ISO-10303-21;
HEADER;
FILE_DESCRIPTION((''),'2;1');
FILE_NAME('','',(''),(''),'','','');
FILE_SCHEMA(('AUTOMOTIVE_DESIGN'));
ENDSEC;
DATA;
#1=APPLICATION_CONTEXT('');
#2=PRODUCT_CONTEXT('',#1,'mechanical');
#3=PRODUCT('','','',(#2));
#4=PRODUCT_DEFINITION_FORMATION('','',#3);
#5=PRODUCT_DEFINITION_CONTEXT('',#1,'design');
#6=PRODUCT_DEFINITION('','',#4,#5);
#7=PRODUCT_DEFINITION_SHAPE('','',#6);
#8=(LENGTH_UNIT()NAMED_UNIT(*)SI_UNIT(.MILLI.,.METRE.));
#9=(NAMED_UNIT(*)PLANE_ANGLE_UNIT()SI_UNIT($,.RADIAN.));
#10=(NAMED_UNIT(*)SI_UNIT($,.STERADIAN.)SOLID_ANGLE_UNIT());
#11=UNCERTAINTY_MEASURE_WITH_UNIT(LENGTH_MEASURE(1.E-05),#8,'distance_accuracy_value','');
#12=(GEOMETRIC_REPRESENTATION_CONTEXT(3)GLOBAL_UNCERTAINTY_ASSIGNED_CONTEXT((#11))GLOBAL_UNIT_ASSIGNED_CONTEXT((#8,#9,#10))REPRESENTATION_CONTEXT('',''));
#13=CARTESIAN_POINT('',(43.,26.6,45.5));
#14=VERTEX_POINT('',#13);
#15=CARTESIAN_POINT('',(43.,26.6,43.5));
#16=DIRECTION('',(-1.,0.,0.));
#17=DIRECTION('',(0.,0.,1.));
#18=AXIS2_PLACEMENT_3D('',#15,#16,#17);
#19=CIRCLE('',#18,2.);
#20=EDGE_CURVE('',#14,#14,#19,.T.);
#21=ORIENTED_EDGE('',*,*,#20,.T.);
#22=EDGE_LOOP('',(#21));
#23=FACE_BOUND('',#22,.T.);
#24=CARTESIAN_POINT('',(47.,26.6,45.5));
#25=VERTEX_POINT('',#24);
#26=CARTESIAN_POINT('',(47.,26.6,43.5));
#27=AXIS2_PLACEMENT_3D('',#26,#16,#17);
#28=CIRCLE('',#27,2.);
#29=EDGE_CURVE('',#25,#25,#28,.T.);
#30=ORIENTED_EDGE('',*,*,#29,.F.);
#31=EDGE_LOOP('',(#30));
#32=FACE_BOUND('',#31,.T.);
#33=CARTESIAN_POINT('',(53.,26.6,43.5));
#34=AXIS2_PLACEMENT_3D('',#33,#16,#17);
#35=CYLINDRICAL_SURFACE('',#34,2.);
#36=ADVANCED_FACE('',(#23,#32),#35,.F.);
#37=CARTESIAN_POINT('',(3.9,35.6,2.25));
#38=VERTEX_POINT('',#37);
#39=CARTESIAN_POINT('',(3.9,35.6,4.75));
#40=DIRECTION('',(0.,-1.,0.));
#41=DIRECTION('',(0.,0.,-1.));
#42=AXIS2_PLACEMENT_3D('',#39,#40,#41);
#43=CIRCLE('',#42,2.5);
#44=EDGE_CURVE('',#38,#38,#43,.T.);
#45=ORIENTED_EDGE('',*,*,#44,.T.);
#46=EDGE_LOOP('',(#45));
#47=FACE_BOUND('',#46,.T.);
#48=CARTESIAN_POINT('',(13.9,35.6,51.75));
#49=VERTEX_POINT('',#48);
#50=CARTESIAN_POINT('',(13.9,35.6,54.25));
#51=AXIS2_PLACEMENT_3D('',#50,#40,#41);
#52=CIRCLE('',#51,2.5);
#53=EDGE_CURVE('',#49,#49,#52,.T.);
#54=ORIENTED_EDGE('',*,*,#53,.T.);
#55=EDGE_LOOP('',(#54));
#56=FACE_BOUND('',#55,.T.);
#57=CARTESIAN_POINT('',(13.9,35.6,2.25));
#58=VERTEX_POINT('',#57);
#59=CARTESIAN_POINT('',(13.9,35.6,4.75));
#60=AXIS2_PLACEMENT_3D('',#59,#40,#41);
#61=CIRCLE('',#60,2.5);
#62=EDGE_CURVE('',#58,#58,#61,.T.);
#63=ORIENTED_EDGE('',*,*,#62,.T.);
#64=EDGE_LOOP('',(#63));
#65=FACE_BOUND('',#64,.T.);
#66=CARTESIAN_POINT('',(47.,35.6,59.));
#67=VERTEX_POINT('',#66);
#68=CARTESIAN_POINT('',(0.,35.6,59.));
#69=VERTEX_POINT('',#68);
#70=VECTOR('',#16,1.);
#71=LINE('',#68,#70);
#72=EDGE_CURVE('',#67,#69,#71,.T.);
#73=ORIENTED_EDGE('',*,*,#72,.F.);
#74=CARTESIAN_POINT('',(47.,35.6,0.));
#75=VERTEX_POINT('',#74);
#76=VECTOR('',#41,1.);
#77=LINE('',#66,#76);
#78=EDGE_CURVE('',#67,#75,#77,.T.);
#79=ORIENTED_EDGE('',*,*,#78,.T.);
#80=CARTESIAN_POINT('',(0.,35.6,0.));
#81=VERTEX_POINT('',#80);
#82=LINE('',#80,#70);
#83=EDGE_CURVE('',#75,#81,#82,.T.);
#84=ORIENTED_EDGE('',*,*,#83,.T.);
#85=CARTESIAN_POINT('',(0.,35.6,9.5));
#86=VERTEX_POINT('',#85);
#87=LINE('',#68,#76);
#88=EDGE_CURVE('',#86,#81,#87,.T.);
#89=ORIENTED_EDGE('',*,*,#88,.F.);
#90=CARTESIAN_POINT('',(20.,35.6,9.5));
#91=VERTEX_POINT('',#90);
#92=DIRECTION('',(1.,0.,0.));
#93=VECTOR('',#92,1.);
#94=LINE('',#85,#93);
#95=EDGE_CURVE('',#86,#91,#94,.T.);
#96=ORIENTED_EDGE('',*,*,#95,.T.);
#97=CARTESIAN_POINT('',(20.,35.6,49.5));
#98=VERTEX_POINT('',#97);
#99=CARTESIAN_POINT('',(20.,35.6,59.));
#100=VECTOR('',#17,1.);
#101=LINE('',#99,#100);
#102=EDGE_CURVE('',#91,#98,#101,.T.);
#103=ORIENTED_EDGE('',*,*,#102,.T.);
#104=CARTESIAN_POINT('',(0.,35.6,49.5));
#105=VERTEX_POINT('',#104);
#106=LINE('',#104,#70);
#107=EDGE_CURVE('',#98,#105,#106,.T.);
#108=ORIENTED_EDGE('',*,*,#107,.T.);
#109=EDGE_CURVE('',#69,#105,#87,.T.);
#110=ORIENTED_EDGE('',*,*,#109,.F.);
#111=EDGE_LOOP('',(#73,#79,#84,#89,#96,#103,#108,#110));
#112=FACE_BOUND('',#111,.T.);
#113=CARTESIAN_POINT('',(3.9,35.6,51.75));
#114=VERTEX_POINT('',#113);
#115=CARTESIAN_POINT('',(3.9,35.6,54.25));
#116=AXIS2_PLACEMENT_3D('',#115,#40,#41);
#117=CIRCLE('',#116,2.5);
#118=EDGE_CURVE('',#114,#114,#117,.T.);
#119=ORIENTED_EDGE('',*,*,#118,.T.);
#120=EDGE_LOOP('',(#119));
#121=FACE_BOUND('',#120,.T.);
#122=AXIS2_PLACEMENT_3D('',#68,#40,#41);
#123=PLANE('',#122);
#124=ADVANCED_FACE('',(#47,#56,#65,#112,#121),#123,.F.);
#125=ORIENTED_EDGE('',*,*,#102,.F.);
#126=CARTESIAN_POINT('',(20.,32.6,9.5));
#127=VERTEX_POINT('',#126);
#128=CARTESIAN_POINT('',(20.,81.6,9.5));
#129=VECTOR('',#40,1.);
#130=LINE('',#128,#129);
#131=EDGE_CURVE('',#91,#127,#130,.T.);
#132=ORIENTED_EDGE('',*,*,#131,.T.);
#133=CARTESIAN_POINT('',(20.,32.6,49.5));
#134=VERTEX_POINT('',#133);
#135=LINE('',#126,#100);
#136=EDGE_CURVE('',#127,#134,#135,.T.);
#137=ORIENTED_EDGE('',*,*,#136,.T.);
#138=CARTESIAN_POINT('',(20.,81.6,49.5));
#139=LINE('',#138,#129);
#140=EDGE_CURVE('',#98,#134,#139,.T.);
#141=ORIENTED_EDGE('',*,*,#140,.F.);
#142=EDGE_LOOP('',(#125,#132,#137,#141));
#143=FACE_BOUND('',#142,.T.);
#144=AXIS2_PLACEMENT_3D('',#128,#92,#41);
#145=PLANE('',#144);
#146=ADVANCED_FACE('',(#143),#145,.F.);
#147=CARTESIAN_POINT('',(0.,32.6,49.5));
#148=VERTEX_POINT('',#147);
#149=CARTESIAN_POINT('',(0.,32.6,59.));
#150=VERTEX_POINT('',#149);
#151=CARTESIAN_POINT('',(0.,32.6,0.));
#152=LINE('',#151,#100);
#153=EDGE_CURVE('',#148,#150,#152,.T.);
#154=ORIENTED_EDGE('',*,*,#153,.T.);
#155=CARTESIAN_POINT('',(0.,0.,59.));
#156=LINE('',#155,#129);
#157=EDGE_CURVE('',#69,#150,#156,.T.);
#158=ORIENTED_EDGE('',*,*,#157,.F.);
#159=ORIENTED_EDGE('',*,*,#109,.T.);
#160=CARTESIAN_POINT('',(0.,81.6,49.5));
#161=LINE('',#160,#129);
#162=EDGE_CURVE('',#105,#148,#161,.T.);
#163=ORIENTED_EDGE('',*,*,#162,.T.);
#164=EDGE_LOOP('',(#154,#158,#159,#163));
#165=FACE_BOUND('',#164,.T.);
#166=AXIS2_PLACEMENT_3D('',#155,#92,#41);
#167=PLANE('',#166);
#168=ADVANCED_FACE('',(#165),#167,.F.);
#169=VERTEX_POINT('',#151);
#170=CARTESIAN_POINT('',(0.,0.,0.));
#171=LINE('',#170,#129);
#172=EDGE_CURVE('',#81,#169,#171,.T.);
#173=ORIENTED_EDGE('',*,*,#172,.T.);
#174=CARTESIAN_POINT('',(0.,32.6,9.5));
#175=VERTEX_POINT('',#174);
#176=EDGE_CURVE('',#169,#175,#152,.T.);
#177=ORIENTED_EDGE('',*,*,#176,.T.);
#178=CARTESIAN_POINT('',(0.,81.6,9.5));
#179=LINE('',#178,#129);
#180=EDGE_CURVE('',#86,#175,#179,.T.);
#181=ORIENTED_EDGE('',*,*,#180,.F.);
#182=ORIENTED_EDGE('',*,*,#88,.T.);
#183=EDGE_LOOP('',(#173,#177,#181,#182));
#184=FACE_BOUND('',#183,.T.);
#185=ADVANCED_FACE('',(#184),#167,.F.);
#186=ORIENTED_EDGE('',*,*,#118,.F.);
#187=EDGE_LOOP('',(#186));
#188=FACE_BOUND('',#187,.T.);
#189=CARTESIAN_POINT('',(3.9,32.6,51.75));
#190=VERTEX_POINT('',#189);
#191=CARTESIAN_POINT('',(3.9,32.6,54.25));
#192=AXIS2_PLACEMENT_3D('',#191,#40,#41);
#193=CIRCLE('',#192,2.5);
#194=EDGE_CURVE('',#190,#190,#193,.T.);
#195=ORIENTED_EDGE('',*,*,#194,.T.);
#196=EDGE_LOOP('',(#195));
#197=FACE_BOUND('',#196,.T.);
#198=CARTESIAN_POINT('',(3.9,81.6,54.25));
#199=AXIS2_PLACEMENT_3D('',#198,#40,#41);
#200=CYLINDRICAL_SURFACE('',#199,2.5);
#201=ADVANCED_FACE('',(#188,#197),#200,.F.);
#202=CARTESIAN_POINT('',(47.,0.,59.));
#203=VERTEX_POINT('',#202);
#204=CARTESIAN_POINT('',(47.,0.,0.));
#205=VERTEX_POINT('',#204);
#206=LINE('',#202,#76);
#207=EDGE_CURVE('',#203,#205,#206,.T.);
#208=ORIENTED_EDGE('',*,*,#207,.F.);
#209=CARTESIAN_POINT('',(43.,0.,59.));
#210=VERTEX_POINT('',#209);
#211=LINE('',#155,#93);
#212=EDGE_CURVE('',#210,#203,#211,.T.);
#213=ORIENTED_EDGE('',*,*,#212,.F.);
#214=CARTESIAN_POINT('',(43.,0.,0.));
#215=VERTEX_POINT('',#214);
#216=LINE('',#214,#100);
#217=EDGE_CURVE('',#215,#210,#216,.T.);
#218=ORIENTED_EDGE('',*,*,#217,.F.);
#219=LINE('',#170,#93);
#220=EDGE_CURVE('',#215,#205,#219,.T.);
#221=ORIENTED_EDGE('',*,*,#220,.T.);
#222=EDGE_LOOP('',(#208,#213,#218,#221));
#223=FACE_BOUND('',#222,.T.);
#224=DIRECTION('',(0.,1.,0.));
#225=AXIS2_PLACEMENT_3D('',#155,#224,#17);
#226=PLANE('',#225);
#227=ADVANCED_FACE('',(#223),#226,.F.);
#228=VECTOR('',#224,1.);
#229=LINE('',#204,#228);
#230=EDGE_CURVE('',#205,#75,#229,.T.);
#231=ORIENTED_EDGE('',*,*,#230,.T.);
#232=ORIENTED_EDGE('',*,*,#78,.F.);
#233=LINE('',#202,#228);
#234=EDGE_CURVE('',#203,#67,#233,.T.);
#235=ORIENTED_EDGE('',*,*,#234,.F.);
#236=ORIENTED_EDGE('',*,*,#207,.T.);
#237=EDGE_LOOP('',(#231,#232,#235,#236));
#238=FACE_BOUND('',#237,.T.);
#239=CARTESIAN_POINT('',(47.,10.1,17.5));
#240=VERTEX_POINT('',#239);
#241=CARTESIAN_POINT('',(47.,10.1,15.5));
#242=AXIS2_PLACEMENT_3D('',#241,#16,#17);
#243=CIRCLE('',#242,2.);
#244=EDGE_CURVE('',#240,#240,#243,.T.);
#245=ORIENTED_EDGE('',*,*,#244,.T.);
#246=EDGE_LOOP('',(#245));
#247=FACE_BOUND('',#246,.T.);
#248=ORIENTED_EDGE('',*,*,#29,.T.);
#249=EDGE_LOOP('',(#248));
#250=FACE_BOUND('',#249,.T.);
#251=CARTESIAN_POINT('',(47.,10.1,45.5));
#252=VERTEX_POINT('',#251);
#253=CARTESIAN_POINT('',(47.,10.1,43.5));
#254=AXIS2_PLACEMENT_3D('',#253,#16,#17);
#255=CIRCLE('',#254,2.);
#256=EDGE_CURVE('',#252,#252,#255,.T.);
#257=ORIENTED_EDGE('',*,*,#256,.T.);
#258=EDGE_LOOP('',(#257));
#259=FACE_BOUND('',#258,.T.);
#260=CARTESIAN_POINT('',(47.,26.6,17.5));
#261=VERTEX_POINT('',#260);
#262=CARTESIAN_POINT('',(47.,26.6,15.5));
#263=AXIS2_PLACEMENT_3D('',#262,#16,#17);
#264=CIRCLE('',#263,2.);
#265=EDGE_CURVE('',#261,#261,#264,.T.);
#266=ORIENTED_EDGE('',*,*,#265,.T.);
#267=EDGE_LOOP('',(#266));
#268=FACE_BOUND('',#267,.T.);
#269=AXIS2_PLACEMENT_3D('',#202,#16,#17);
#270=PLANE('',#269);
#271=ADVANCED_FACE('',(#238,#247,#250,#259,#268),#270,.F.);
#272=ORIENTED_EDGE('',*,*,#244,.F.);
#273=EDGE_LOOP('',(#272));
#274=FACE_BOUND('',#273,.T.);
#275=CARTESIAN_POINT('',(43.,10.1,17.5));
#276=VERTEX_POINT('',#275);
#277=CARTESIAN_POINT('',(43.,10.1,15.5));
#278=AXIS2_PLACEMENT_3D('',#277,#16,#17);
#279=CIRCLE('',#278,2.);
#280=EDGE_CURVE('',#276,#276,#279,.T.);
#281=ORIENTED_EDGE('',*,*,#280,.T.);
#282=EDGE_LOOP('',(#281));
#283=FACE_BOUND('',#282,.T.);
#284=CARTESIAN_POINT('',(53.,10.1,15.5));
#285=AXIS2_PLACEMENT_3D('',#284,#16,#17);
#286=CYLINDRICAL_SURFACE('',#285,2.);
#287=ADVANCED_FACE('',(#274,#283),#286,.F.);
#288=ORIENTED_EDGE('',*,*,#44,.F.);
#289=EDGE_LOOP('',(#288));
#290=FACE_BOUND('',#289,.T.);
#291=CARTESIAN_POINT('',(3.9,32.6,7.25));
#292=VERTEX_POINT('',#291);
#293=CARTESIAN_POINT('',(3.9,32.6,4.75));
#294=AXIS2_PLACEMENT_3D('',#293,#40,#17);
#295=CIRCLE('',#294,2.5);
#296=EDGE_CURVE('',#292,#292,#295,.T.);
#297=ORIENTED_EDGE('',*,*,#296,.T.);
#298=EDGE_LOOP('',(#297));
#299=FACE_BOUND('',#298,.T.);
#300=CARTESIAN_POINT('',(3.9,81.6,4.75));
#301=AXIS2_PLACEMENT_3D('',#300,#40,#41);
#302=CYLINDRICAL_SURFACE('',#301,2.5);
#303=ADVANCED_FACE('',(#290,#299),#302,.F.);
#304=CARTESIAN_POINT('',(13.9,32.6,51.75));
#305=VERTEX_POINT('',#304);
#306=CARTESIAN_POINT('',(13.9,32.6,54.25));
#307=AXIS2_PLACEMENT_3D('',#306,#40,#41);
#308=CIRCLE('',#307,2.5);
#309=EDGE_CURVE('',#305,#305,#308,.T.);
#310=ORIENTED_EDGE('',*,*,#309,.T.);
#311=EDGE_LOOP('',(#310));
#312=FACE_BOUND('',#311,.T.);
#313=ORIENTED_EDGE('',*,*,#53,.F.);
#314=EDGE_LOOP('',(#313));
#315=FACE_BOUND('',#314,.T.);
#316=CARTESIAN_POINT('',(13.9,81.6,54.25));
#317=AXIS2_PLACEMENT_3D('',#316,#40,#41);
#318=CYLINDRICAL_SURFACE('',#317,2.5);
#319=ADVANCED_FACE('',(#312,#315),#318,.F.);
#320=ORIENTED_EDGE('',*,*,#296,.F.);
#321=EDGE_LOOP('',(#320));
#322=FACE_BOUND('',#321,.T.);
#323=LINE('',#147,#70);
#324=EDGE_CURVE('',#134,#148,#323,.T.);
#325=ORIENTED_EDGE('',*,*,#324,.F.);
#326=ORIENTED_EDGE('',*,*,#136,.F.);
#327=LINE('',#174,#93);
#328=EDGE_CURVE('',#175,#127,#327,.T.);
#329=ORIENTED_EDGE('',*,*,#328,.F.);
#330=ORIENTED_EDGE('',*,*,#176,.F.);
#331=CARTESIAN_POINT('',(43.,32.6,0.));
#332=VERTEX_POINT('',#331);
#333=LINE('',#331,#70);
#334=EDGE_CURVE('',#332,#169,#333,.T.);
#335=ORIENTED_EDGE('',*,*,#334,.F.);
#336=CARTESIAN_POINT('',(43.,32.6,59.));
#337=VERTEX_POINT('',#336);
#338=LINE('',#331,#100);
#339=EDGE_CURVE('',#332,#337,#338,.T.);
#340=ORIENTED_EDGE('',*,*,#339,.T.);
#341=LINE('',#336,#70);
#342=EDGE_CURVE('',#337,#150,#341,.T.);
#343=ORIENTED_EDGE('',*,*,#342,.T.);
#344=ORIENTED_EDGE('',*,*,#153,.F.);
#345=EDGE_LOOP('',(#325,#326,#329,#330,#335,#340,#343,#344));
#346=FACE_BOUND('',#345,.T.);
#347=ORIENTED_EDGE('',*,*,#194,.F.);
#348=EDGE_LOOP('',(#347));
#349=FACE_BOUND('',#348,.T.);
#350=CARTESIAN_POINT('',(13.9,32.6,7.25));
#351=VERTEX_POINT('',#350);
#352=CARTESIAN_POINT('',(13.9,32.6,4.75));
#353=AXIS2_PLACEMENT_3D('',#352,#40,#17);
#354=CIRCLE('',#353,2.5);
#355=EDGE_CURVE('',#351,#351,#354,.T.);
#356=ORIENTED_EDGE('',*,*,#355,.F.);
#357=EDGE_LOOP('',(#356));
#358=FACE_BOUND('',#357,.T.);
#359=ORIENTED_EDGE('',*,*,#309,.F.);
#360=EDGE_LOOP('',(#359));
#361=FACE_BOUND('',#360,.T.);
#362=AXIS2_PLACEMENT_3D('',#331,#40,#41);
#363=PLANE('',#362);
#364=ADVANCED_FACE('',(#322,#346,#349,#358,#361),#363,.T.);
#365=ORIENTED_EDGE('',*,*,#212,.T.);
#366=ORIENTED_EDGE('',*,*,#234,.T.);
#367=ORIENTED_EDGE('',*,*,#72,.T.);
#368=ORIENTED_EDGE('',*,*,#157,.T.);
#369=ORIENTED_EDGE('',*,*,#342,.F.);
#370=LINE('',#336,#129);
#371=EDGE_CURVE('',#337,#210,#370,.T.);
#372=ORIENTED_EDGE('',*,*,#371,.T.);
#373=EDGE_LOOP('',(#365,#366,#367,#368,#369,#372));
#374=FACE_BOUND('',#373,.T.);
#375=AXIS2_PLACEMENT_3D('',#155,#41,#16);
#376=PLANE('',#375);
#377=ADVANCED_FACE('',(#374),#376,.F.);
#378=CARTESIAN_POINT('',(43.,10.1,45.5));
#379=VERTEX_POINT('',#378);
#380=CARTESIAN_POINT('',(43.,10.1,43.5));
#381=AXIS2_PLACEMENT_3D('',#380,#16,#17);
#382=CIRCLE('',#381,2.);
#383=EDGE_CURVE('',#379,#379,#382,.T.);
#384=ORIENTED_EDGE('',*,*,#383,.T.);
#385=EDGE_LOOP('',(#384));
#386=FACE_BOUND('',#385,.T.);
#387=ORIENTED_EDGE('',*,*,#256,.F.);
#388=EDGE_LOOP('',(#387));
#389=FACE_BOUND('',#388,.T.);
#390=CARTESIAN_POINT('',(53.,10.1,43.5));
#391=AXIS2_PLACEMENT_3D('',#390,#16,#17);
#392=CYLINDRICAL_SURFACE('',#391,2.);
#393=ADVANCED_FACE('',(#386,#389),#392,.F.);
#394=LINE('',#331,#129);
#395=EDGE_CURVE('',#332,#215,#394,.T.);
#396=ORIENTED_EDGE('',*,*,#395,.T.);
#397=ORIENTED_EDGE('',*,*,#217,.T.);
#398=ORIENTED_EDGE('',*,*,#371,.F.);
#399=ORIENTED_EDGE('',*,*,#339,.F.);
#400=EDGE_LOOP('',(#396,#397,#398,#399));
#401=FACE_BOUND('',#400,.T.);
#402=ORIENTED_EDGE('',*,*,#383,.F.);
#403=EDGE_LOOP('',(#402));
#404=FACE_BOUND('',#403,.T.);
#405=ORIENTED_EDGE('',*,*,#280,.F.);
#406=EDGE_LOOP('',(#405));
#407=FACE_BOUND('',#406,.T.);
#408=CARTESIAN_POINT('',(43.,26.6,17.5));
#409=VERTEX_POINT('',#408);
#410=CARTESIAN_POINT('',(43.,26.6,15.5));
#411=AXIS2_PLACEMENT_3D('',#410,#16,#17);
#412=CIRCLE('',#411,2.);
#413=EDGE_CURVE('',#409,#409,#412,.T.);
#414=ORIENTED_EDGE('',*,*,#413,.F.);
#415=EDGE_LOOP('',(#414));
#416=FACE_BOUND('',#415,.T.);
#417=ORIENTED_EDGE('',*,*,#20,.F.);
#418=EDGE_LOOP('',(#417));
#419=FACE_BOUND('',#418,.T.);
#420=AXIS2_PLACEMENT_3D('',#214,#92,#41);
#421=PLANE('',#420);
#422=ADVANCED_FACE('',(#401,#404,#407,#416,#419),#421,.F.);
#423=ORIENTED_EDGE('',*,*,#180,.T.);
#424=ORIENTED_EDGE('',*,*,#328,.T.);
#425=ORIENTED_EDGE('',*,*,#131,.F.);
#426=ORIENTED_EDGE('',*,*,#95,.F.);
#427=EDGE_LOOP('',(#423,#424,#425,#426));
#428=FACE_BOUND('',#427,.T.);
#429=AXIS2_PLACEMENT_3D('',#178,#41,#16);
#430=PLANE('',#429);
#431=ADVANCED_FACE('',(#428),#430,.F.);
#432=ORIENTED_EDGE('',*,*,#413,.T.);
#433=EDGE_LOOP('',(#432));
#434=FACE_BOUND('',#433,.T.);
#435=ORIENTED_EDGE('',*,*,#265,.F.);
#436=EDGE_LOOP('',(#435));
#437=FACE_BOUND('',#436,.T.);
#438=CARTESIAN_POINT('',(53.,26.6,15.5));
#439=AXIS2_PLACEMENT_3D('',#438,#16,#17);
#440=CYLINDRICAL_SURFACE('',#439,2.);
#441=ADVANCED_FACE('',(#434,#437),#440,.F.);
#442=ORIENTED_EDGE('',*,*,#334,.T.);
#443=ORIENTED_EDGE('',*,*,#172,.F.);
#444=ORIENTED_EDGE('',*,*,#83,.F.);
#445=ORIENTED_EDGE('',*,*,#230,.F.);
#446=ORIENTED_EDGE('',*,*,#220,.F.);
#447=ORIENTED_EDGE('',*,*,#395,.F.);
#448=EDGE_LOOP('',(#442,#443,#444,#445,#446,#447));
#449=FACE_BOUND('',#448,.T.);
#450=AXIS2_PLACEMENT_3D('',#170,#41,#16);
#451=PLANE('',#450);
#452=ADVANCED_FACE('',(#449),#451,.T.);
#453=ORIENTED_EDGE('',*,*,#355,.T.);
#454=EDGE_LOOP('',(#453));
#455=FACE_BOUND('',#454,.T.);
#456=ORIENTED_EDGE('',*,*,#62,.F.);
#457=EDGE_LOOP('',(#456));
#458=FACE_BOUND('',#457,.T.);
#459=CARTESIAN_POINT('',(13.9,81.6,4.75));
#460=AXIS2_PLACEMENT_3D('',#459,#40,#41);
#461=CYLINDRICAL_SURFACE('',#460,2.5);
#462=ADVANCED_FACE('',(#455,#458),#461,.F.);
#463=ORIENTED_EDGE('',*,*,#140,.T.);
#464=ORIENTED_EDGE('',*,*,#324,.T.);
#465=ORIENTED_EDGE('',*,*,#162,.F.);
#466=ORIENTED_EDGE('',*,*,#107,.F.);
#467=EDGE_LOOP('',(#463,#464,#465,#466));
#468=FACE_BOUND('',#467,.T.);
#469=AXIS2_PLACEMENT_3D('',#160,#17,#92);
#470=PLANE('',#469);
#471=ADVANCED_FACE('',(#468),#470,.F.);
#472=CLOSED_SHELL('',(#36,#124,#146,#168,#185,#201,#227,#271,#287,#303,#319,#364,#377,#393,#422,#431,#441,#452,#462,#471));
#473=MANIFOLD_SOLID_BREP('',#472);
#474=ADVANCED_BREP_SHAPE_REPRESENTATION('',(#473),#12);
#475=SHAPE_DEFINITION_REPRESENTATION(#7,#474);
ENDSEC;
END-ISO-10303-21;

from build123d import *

# Parameters (mm, degrees)
SKETCH_1_W          = 47
SKETCH_1_H          = 35.6
EXTRUDE_1_DEPTH     = 59
SKETCH_3_W          = 59
SKETCH_3_H          = 32.6
CUT_EXTRUDE_1_DEPTH = 43
SKETCH_4_R          = 2.5
SKETCH_4_W          = 20
SKETCH_4_H          = 40
CUT_EXTRUDE_2_DEPTH = 49
SKETCH_6_R          = 2
CUT_EXTRUDE_3_DEPTH = 10


with BuildPart() as part:
    # 草图1 → 凸台-拉伸1 (new body)
    with BuildSketch(Plane.XY):
        with Locations((23.5, 17.8)):
            Rectangle(SKETCH_1_W, SKETCH_1_H)
    extrude(amount=EXTRUDE_1_DEPTH)

    # 草图3 → 切除-拉伸1 (cut)
    with BuildSketch(Plane.ZY):
        with Locations((29.5, 16.3)):
            Rectangle(SKETCH_3_W, SKETCH_3_H)
    extrude(amount=-CUT_EXTRUDE_1_DEPTH, mode=Mode.SUBTRACT)

    # 草图4 → 切除-拉伸2 (cut)
    with BuildSketch(Plane.XZ.offset(-32.6)):
        with Locations(Location((3.9, 54.25, 0), (0, 0, 270))):
            Circle(SKETCH_4_R)
        with Locations(Location((13.9, 54.25, 0), (0, 0, 270))):
            Circle(SKETCH_4_R)
        with Locations(Location((13.9, 4.75, 0), (0, 0, 270))):
            Circle(SKETCH_4_R)
        with Locations(Location((3.9, 4.75, 0), (0, 0, 270))):
            Circle(SKETCH_4_R)
        with Locations((10, 29.5)):
            Rectangle(SKETCH_4_W, SKETCH_4_H)
    extrude(amount=-CUT_EXTRUDE_2_DEPTH, mode=Mode.SUBTRACT)

    # 草图6 → 切除-拉伸3 (cut)
    with BuildSketch(Plane.ZY.offset(-43)):
        with Locations((43.5, 26.6)):
            Circle(SKETCH_6_R)
        with Locations((15.5, 26.6)):
            Circle(SKETCH_6_R)
        with Locations((43.5, 10.1)):
            Circle(SKETCH_6_R)
        with Locations((15.5, 10.1)):
            Circle(SKETCH_6_R)
    extrude(amount=-CUT_EXTRUDE_3_DEPTH, mode=Mode.SUBTRACT)


solid = part.part
